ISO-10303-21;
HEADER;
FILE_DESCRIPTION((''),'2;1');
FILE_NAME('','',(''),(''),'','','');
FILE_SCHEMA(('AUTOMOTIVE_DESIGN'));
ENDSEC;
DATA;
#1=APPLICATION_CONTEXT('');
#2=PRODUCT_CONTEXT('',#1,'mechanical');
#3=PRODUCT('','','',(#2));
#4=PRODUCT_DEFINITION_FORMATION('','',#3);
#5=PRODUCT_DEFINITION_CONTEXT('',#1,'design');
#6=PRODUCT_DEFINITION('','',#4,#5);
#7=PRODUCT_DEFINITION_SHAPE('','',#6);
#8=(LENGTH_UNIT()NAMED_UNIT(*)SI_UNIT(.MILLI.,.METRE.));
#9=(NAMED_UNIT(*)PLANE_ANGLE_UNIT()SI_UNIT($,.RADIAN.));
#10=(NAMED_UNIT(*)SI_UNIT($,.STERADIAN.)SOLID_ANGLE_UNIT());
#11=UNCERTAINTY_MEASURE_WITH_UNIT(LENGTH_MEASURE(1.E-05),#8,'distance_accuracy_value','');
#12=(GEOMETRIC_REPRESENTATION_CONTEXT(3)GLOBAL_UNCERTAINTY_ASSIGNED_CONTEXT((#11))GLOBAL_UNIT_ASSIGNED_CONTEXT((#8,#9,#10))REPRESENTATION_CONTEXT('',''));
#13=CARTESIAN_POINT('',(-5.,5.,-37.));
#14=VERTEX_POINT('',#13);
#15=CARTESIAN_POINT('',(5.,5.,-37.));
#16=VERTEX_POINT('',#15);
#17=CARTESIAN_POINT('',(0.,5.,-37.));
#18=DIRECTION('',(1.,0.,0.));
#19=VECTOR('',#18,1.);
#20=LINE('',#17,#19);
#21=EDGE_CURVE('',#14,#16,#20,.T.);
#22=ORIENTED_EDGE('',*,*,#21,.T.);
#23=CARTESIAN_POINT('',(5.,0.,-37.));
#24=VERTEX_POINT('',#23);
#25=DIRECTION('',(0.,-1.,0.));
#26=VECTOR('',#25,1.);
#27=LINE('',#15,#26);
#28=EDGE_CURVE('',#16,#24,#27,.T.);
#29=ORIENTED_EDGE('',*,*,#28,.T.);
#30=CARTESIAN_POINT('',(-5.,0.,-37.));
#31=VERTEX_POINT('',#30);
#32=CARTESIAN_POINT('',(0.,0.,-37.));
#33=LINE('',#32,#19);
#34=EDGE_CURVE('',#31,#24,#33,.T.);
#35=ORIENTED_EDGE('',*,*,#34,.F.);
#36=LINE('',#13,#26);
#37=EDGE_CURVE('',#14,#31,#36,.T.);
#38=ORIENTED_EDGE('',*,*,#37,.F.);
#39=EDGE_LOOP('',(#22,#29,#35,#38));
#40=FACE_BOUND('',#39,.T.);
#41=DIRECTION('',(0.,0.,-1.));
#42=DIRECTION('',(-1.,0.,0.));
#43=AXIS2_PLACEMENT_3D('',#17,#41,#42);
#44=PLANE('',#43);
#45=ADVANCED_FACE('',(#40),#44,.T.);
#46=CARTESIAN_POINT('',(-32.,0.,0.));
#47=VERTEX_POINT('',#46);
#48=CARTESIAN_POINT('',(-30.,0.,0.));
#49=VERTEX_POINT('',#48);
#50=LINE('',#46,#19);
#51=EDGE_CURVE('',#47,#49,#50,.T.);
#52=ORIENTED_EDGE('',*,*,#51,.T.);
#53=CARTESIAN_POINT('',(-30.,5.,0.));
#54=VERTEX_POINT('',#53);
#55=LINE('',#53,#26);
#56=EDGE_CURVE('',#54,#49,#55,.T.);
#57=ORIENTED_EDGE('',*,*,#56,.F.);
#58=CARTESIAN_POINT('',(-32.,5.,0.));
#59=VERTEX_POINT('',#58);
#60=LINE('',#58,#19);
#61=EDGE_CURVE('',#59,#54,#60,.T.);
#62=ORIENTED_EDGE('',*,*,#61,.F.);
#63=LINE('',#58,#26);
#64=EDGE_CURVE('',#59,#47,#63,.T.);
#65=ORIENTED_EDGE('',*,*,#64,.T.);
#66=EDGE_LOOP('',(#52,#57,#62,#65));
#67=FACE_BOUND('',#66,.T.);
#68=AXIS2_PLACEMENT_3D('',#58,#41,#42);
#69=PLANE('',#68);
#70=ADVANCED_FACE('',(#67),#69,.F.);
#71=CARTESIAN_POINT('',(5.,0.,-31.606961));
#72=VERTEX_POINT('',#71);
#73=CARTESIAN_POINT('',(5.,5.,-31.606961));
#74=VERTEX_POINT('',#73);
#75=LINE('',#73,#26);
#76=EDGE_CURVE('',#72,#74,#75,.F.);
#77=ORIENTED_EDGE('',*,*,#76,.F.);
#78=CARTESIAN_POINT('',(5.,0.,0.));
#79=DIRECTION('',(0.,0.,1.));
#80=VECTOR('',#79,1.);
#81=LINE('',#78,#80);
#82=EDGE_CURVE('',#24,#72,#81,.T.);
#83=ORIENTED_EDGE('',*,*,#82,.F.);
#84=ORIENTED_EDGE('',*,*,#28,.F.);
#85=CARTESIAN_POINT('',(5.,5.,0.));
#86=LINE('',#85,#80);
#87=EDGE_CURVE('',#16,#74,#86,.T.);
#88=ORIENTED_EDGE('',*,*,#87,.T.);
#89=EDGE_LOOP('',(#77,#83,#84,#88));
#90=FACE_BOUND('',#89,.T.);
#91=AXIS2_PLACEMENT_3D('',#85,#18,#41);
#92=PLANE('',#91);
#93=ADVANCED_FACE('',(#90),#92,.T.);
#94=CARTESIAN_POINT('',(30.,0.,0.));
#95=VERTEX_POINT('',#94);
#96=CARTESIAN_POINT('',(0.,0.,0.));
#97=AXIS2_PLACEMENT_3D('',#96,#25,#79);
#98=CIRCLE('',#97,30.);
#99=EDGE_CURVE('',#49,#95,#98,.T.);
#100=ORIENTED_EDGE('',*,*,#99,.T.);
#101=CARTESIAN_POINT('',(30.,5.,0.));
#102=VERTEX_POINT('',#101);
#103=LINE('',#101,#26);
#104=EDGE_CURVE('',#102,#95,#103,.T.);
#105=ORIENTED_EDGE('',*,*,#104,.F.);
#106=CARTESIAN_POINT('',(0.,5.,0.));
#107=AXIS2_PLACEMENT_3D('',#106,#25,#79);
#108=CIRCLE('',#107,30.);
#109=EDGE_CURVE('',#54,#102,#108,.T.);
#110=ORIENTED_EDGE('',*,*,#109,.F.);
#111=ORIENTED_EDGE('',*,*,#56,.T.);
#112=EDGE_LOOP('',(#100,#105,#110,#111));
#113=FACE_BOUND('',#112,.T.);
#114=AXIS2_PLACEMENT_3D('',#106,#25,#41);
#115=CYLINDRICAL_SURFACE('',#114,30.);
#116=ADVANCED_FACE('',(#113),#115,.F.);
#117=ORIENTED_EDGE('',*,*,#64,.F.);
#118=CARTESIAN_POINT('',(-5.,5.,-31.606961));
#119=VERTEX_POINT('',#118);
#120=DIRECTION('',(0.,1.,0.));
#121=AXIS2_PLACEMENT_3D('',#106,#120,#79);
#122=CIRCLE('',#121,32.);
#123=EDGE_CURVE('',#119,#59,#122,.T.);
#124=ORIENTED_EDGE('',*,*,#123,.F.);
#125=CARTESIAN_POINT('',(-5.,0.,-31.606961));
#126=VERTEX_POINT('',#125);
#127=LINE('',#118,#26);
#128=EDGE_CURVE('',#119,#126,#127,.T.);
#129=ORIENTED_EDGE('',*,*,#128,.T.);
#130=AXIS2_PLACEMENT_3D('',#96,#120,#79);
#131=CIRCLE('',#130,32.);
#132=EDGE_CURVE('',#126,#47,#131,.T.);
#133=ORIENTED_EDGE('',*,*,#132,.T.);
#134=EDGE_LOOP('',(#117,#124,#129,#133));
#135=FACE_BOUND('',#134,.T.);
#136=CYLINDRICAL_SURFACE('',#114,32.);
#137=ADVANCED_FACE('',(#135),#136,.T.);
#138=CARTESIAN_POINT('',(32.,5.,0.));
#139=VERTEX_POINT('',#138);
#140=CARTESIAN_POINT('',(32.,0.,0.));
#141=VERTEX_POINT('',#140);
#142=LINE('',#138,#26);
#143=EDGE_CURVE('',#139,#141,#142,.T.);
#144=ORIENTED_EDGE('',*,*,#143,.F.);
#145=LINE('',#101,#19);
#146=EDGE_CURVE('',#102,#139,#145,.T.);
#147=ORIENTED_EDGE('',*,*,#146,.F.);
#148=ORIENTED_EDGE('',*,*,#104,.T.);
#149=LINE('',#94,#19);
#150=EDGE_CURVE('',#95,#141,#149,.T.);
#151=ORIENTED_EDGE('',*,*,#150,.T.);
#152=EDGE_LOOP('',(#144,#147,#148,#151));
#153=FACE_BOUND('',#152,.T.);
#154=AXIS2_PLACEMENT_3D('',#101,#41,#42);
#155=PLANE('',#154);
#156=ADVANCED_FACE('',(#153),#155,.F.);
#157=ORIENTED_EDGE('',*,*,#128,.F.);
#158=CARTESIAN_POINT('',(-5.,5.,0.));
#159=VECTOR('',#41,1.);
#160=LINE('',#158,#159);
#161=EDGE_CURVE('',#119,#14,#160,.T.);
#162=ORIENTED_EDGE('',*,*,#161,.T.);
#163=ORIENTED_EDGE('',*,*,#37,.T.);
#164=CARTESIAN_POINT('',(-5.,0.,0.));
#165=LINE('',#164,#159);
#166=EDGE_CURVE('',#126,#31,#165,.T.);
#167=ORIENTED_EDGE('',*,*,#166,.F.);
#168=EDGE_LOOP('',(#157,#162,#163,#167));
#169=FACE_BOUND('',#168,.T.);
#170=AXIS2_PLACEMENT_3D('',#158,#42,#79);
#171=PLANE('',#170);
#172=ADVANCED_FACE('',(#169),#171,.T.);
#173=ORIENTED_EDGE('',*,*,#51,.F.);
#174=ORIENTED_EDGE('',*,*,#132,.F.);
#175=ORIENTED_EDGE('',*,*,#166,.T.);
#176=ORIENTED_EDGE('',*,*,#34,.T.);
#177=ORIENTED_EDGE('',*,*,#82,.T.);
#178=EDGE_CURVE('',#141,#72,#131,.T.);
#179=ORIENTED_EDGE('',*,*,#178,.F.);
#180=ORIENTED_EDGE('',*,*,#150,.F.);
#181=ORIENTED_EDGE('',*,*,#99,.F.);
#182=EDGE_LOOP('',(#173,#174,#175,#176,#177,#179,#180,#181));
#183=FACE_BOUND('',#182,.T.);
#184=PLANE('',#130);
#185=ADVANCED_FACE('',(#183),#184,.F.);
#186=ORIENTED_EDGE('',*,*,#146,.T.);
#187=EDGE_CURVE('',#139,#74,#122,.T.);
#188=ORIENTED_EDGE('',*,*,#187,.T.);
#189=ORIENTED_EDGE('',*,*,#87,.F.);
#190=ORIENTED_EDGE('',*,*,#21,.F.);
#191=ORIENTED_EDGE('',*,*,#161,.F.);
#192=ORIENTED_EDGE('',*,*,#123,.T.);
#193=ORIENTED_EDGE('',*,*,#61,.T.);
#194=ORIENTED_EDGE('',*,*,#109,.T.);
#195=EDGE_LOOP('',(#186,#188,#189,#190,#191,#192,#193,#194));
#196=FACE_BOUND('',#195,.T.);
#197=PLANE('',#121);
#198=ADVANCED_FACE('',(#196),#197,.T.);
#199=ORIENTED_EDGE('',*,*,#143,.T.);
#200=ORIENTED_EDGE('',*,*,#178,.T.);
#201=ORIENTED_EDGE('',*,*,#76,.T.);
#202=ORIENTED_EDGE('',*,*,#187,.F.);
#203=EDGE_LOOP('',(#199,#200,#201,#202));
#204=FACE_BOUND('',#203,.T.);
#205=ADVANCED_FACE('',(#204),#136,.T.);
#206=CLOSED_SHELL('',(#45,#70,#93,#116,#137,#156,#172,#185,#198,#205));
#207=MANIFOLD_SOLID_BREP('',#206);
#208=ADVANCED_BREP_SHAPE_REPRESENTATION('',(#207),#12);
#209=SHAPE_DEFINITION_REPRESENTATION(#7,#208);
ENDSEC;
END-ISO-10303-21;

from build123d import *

# Parameters (mm, degrees)
EXTRUDE_1_DEPTH = 5
EXTRUDE_2_DEPTH = 5


with BuildPart() as part:
    # 草图1 → 凸台-拉伸1 (new body)
    with BuildSketch(Plane(origin=(0, 0, 0), x_dir=(1, 0, 0), z_dir=(0, 1, 0))):
        with BuildLine():
            Line((-32, 0), (-30, 0))
            ThreePointArc((-30, 0), (0, 30), (30, 0))
            Line((30, 0), (32, 0))
            ThreePointArc((32, 0), (0, 32), (-32, 0))
        make_face()
    extrude(amount=EXTRUDE_1_DEPTH)

    # 草图2 → 凸台-拉伸2 (add)
    with BuildSketch(Plane(origin=(0, 0, 0), x_dir=(1, 0, 0), z_dir=(0, 1, 0))):
        Polygon((5, 37), (0, 37), (-5, 37), (-5, 30.465276436), (5, 30.465276436), align=None)
    extrude(amount=EXTRUDE_2_DEPTH)


solid = part.part
